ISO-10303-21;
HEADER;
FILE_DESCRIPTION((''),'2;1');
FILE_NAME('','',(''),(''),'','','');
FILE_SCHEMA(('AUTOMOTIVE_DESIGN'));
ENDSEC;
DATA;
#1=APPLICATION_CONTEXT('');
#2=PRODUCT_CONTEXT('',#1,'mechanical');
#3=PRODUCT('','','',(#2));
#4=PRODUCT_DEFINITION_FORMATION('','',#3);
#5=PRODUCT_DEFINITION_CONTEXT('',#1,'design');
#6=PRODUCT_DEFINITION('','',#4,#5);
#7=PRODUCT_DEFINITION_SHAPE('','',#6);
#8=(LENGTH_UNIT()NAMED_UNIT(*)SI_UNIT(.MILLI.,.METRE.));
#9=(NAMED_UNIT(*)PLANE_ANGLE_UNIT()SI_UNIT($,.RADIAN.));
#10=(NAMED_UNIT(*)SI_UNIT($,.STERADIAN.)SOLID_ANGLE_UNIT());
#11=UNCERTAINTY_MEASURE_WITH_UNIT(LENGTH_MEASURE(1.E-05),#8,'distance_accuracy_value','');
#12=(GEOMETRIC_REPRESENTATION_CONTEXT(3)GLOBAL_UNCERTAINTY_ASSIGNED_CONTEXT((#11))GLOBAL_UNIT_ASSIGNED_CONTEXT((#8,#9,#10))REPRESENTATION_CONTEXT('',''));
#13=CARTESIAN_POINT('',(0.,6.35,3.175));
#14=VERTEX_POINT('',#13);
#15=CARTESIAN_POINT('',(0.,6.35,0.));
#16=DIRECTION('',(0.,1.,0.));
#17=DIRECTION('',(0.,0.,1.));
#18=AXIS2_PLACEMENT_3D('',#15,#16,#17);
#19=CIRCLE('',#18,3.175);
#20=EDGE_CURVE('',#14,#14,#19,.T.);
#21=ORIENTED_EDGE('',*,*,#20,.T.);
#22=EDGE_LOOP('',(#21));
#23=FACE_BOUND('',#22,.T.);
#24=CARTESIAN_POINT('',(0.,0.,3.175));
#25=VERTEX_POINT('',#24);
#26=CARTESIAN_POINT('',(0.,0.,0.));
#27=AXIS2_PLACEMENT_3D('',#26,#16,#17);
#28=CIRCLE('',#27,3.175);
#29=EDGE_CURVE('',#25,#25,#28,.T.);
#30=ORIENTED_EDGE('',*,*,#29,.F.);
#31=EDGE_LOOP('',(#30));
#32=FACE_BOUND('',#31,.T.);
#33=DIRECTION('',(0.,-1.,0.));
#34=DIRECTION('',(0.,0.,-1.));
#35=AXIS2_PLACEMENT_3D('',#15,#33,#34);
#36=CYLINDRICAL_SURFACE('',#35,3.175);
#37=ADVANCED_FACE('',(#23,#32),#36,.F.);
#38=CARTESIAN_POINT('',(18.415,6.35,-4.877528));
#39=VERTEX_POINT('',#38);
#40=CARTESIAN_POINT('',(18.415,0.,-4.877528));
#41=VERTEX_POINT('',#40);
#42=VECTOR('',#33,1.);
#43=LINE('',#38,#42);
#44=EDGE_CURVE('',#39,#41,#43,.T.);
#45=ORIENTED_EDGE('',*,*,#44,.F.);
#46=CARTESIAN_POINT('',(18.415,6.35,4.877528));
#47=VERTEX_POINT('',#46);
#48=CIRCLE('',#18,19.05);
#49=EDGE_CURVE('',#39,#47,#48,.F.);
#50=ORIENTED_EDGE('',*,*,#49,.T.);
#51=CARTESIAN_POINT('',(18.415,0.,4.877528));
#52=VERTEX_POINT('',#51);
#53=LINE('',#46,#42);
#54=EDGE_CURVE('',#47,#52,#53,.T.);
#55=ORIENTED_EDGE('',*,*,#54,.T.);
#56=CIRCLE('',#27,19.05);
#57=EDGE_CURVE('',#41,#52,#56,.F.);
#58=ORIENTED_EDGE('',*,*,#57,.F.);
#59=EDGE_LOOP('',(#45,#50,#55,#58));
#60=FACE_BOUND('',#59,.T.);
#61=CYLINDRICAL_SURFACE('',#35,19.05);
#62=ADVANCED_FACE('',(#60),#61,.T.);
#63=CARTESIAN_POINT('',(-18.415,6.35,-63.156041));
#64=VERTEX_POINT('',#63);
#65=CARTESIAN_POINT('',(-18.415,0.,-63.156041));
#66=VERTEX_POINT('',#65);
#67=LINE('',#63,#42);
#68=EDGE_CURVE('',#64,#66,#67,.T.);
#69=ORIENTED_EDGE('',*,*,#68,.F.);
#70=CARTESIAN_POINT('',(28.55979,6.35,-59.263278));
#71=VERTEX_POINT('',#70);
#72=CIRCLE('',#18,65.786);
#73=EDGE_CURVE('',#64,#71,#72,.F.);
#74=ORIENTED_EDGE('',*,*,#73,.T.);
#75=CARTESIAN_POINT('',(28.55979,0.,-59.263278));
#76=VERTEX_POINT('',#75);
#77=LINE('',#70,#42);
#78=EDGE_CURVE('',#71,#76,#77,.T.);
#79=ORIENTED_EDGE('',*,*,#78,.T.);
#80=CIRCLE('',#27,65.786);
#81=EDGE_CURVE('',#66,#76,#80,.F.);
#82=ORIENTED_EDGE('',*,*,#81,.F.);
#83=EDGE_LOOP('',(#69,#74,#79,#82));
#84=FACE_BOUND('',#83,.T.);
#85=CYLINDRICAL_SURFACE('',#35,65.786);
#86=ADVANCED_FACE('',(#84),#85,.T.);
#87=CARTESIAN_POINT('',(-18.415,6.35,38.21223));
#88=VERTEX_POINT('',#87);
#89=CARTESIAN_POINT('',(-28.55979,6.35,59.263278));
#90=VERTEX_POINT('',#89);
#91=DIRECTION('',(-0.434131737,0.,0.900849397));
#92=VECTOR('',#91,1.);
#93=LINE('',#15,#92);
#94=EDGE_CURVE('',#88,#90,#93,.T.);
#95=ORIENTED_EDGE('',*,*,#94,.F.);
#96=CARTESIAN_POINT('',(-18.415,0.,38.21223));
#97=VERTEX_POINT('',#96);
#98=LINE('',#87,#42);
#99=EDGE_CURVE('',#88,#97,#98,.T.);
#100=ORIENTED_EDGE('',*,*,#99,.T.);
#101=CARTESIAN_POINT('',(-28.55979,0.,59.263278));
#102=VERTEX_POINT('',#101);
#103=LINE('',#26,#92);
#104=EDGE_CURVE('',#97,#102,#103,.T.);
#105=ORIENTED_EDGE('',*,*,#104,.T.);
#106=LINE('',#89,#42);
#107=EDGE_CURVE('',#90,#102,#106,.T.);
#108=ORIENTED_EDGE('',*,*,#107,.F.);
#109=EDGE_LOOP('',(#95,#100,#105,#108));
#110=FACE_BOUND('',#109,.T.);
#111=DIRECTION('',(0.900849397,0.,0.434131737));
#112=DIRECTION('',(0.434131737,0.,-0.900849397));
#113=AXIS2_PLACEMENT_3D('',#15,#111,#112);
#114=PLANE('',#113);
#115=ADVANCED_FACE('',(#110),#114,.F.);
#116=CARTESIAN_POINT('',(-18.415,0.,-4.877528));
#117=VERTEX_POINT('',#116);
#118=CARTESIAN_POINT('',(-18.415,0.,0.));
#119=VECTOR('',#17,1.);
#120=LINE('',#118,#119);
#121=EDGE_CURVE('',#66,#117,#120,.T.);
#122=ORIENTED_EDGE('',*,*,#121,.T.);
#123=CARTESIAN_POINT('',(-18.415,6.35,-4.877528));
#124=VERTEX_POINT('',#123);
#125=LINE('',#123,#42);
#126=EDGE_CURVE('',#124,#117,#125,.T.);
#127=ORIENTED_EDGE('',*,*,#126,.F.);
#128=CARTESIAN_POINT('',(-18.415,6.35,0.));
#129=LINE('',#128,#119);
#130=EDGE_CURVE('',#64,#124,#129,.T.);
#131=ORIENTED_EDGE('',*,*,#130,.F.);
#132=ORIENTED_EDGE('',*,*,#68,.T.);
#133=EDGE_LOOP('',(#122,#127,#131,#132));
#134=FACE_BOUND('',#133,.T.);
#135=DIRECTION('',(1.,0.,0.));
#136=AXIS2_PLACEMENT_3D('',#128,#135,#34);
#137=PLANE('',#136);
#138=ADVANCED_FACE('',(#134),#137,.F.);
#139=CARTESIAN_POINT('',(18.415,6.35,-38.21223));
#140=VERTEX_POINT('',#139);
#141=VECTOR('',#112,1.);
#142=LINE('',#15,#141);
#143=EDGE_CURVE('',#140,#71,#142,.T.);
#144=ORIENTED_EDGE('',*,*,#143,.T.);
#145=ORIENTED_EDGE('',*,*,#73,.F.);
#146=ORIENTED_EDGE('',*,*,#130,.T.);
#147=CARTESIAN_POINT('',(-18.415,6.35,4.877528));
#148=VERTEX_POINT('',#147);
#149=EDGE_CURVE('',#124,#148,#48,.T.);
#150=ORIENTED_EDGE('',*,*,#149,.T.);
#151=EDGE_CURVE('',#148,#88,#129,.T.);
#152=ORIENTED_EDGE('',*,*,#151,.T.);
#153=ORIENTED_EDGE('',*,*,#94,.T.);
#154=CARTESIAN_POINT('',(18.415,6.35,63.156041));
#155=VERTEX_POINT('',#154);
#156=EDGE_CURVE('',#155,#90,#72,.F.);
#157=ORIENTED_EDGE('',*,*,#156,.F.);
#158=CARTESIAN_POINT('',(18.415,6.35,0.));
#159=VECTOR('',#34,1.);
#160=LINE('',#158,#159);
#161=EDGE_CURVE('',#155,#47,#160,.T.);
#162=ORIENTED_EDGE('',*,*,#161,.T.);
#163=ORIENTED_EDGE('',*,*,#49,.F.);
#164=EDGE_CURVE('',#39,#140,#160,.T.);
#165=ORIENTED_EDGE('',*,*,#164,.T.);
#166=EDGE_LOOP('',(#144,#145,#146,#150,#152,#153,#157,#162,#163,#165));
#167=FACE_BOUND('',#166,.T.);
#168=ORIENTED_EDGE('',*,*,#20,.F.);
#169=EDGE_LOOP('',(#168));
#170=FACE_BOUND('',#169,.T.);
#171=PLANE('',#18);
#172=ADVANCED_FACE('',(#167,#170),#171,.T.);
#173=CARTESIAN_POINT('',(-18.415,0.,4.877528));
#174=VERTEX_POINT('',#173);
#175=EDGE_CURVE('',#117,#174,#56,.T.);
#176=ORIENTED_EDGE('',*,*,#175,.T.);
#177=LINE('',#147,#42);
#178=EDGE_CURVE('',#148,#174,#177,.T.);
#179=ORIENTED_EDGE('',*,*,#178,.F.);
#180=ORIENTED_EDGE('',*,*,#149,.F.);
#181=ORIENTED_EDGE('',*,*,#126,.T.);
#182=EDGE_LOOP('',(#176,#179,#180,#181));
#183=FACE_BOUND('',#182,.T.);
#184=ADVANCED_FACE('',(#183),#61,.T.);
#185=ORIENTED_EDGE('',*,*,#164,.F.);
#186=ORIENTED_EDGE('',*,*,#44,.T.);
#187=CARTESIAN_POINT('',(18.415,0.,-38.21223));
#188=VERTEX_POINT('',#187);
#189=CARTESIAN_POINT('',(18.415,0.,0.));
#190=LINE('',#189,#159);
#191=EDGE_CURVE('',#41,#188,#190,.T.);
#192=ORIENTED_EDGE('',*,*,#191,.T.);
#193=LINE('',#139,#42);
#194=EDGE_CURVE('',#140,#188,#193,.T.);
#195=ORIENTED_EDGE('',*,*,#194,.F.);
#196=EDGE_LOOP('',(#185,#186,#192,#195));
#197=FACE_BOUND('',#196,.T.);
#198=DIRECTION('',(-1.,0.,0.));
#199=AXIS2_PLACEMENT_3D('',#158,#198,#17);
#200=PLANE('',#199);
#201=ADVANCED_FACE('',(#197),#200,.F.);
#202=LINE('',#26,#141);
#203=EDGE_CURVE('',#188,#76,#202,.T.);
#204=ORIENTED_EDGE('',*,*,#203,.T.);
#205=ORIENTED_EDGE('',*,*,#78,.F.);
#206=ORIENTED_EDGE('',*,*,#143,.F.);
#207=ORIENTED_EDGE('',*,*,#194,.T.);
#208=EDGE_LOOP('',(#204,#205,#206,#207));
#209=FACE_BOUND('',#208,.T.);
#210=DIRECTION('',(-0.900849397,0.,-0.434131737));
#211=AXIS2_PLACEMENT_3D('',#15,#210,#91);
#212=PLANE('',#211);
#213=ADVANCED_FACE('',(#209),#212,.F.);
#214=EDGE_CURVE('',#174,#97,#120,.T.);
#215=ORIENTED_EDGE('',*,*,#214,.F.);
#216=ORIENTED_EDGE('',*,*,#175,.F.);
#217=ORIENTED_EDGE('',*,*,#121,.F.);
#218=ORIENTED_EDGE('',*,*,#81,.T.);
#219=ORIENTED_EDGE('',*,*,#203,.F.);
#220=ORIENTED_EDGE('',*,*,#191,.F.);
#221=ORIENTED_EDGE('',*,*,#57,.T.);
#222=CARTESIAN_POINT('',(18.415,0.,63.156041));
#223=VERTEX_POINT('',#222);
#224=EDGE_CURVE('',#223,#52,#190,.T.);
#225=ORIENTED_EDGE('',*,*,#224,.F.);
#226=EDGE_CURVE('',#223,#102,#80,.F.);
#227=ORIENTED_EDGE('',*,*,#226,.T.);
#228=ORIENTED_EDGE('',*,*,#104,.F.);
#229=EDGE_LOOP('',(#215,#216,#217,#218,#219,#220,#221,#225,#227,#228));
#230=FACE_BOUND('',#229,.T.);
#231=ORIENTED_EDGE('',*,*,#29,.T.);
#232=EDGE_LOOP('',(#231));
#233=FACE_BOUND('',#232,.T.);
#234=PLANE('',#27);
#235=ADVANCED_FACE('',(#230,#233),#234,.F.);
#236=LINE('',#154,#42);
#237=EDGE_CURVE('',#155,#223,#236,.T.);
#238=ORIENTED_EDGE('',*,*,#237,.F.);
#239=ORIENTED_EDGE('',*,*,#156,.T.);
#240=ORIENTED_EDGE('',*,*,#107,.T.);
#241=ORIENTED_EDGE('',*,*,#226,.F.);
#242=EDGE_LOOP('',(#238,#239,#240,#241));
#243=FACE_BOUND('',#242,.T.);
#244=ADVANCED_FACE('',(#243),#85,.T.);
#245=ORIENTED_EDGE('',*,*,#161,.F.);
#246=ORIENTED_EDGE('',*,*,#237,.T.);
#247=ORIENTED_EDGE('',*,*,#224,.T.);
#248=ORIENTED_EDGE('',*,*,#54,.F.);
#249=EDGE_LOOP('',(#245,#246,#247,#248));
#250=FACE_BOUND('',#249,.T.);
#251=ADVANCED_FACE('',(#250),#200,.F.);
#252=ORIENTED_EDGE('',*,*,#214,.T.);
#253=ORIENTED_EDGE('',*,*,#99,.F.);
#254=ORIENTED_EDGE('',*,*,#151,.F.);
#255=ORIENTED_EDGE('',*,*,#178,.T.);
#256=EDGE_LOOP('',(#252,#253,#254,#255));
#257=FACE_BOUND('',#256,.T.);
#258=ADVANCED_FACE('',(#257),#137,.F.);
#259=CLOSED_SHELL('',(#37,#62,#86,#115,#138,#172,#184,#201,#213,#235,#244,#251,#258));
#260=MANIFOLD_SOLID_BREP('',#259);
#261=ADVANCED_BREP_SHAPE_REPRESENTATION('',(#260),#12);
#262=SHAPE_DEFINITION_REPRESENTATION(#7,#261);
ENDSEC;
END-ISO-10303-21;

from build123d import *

# Parameters (mm, degrees)
SKETCH1_R           = 3.175
BOSS_EXTRUDE1_DEPTH = 6.35


with BuildPart() as part:
    # Sketch1 → Boss-Extrude1 (new body)
    with BuildSketch(Plane(origin=(0, 0, 0), x_dir=(1, 0, 0), z_dir=(0, 1, 0))):
        with BuildLine():
            ThreePointArc((18.415, 4.87752755), (19.05, 0), (18.415, -4.87752755))
            Line((18.415, -4.87752755), (18.415, -63.156041445))
            ThreePointArc((18.415, -63.156041445), (-5.43300968, -65.561270593), (-28.559790419, -59.263278404))
            Line((-28.559790419, -59.263278404), (-18.415, -38.212229705))
            Line((-18.415, -38.212229705), (-18.415, -4.87752755))
            ThreePointArc((-18.415, -4.87752755), (-19.05, 0), (-18.415, 4.87752755))
            Line((-18.415, 4.87752755), (-18.415, 63.156041445))
            ThreePointArc((-18.415, 63.156041445), (5.43300968, 65.561270593), (28.559790419, 59.263278404))
            Line((28.559790419, 59.263278404), (18.415, 38.212229705))
            Line((18.415, 38.212229705), (18.415, 4.87752755))
        make_face()
        with Locations(Location((0, 0, 0), (0, 0, 270))):
            Circle(SKETCH1_R, mode=Mode.SUBTRACT)
    extrude(amount=BOSS_EXTRUDE1_DEPTH)


solid = part.part
